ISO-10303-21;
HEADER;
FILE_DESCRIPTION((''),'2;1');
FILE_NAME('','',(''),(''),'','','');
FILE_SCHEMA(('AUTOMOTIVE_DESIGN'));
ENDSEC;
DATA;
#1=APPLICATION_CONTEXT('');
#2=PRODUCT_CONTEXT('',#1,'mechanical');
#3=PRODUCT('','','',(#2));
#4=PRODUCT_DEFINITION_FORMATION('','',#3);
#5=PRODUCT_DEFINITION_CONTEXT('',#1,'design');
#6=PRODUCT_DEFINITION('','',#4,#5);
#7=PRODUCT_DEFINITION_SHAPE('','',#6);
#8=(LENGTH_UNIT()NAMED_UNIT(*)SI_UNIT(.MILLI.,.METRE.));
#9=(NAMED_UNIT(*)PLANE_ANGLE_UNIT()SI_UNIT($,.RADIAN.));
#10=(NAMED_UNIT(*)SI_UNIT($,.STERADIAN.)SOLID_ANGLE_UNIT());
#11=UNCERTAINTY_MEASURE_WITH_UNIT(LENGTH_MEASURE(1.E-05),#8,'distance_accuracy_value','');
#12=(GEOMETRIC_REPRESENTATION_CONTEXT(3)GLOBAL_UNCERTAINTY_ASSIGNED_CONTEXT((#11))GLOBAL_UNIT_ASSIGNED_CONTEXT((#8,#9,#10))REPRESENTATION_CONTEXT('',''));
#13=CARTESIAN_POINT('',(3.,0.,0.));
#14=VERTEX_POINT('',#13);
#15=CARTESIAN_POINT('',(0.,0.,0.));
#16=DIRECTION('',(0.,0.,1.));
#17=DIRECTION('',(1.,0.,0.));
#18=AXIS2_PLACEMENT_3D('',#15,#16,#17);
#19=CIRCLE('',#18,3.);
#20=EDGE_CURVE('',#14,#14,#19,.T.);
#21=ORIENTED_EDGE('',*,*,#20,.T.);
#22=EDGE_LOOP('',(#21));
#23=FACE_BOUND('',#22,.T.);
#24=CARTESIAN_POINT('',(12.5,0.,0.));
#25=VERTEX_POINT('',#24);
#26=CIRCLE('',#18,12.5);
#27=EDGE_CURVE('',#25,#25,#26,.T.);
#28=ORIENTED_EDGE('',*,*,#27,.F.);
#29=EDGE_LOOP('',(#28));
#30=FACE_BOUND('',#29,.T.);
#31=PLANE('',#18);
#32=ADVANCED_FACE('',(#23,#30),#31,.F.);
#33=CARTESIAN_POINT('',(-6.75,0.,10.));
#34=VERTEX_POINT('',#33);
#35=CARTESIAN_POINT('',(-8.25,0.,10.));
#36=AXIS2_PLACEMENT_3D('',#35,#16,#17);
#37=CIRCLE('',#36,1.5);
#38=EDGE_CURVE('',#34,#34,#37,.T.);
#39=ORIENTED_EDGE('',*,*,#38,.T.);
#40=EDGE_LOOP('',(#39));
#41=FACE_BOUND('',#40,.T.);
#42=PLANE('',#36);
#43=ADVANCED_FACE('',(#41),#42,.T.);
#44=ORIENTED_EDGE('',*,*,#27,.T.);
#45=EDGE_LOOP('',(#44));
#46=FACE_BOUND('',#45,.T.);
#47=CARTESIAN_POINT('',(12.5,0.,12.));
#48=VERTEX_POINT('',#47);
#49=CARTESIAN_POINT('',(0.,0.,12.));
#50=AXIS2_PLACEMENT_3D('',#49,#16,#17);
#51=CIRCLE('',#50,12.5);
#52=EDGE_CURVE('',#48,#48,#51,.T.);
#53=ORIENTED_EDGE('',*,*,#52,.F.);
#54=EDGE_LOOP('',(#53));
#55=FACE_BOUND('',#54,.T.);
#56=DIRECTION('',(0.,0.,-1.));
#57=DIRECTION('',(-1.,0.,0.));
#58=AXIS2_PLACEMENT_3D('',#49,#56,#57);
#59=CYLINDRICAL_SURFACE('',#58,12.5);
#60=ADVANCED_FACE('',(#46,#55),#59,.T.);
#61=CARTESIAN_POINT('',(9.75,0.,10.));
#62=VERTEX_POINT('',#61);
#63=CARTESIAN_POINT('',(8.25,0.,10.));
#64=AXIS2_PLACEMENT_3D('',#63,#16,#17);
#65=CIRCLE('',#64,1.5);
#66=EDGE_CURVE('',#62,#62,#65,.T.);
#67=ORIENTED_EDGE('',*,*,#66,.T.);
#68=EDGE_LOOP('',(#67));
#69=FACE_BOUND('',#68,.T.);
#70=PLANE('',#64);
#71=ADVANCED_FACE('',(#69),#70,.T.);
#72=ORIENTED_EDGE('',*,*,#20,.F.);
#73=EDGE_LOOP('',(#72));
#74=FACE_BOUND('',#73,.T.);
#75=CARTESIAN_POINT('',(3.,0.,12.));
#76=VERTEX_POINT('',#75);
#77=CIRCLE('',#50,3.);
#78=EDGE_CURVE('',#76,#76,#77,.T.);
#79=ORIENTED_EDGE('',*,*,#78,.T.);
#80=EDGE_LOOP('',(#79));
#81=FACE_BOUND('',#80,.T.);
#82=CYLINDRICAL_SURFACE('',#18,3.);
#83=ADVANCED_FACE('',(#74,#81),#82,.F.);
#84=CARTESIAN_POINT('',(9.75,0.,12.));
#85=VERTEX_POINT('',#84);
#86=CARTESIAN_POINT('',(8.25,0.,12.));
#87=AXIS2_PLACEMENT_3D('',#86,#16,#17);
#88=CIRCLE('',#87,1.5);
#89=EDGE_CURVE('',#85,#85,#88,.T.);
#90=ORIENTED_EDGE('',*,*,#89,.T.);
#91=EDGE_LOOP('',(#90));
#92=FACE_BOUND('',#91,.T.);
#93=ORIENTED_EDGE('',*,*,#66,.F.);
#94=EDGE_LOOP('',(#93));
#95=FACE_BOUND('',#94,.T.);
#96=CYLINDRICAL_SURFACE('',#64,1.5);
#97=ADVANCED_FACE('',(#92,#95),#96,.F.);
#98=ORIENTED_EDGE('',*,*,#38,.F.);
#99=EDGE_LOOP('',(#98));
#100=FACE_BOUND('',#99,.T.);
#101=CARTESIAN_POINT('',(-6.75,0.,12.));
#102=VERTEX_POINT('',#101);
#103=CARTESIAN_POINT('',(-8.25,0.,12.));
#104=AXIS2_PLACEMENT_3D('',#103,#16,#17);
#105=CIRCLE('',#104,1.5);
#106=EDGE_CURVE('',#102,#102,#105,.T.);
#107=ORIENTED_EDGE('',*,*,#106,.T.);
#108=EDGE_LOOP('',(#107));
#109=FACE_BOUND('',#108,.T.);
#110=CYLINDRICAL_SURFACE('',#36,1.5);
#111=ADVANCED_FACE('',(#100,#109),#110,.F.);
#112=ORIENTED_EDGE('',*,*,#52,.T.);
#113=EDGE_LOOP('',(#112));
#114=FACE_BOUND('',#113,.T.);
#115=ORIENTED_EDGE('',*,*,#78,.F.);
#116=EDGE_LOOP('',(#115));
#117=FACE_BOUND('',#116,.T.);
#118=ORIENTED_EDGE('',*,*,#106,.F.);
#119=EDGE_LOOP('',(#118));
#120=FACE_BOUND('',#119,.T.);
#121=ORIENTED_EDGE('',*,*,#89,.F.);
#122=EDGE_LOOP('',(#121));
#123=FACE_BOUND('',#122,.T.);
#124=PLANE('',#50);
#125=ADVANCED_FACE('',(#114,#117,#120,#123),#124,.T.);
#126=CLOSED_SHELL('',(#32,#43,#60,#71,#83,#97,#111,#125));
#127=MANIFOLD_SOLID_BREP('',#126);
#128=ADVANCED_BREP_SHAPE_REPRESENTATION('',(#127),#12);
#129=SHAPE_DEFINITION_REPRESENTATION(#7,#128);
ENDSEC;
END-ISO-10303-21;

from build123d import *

# Parameters (mm, degrees)
ESQUISSE1_R             = 12.5
BOSS_EXTRU_1_DEPTH      = 12
ESQUISSE2_R             = 3
ENL_V_MAT_EXTRU_1_DEPTH = 12
ESQUISSE3_R             = 1.5
ENL_V_MAT_EXTRU_2_DEPTH = 2


with BuildPart() as part:
    # Esquisse1 → Boss.-Extru.1 (new body)
    with BuildSketch(Plane.XY):
        Circle(ESQUISSE1_R)
    extrude(amount=BOSS_EXTRU_1_DEPTH)

    # Esquisse2 → Enlèv. mat.-Extru.1 (cut)
    with BuildSketch(Plane.XY.offset(12)):
        Circle(ESQUISSE2_R)
    extrude(amount=-ENL_V_MAT_EXTRU_1_DEPTH, mode=Mode.SUBTRACT)

    # Esquisse3 → Enlèv. mat.-Extru.2 (cut)
    with BuildSketch(Plane.XY.offset(12)):
        with Locations((-8.25, 0)):
            Circle(ESQUISSE3_R)
        with Locations((8.25, 0)):
            Circle(ESQUISSE3_R)
    extrude(amount=-ENL_V_MAT_EXTRU_2_DEPTH, mode=Mode.SUBTRACT)


solid = part.part
